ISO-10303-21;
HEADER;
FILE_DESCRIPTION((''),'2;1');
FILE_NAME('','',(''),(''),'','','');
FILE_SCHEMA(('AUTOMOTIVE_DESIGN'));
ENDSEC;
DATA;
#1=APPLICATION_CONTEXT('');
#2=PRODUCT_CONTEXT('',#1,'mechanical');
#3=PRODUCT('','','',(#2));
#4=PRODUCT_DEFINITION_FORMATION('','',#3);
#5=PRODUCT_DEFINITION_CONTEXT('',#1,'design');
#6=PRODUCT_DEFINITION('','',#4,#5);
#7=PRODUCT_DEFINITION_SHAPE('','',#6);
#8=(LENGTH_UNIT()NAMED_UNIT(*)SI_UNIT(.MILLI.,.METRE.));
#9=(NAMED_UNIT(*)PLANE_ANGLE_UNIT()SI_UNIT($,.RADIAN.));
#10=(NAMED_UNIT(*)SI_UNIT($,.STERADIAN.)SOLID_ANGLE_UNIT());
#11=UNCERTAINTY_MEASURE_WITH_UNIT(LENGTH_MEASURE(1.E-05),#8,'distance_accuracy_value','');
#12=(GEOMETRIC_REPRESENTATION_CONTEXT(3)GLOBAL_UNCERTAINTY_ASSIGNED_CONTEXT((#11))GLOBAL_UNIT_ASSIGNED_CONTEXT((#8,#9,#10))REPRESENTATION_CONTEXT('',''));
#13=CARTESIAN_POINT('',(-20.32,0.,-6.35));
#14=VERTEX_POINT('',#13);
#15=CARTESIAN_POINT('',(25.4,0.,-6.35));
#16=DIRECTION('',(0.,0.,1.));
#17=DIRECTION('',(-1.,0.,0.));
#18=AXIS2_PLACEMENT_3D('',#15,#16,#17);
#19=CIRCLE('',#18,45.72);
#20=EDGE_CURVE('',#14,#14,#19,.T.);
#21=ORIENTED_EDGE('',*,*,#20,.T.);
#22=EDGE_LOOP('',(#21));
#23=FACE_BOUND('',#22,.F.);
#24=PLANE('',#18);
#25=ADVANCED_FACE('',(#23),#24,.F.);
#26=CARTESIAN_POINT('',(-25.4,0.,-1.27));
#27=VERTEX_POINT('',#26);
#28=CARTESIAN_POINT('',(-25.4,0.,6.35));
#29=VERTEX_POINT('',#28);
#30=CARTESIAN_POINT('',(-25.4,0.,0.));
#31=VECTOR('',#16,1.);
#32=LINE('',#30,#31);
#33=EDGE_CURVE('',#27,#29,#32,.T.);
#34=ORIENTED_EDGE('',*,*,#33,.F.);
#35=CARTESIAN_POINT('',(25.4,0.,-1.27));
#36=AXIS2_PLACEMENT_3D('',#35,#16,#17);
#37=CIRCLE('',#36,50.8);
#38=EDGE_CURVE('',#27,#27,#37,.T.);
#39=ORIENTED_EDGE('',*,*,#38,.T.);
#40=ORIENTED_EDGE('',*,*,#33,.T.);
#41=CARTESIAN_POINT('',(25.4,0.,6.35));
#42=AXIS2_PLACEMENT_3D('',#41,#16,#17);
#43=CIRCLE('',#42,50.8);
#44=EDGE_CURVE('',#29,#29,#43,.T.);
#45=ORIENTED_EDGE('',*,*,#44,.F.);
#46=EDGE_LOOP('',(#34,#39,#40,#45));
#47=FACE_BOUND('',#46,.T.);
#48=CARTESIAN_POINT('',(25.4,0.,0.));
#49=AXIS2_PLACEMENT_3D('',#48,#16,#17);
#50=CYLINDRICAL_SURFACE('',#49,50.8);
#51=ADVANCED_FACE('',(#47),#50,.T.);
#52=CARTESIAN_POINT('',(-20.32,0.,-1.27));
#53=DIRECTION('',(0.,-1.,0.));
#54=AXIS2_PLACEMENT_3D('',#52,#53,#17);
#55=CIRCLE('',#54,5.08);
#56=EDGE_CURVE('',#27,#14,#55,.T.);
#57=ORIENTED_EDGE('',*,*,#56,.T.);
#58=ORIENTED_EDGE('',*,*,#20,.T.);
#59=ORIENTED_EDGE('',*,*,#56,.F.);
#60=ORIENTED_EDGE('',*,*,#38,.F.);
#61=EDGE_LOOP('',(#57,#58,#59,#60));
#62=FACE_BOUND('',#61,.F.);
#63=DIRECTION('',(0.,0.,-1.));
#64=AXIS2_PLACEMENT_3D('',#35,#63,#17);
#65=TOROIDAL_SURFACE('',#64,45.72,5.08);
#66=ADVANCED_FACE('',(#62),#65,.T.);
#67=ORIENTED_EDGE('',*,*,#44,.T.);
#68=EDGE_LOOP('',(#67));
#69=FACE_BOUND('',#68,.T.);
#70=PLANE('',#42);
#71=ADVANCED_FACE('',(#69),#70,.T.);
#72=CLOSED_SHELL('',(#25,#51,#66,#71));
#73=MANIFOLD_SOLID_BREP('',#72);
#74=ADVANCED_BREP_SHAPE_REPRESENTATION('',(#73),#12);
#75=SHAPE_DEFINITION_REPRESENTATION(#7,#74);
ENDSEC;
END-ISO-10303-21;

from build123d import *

# Parameters (mm, degrees)
F0_W = 50.8
F0_H = 12.7
F2_R = 5.08


with BuildPart() as f1:
    # F0 (on Front) → F1 (revolve)
    with BuildSketch(Plane.XZ):
        Rectangle(F0_W, F0_H)
    revolve(axis=Axis((25.4, 0, 0), (0, 0, 1)))

    # F2
    f2_edges = [f1.edges().sort_by_distance(p)[0] for p in [
        (76.2, 0, -6.35),
    ]]
    fillet(f2_edges, radius=F2_R)


solid = f1.part
